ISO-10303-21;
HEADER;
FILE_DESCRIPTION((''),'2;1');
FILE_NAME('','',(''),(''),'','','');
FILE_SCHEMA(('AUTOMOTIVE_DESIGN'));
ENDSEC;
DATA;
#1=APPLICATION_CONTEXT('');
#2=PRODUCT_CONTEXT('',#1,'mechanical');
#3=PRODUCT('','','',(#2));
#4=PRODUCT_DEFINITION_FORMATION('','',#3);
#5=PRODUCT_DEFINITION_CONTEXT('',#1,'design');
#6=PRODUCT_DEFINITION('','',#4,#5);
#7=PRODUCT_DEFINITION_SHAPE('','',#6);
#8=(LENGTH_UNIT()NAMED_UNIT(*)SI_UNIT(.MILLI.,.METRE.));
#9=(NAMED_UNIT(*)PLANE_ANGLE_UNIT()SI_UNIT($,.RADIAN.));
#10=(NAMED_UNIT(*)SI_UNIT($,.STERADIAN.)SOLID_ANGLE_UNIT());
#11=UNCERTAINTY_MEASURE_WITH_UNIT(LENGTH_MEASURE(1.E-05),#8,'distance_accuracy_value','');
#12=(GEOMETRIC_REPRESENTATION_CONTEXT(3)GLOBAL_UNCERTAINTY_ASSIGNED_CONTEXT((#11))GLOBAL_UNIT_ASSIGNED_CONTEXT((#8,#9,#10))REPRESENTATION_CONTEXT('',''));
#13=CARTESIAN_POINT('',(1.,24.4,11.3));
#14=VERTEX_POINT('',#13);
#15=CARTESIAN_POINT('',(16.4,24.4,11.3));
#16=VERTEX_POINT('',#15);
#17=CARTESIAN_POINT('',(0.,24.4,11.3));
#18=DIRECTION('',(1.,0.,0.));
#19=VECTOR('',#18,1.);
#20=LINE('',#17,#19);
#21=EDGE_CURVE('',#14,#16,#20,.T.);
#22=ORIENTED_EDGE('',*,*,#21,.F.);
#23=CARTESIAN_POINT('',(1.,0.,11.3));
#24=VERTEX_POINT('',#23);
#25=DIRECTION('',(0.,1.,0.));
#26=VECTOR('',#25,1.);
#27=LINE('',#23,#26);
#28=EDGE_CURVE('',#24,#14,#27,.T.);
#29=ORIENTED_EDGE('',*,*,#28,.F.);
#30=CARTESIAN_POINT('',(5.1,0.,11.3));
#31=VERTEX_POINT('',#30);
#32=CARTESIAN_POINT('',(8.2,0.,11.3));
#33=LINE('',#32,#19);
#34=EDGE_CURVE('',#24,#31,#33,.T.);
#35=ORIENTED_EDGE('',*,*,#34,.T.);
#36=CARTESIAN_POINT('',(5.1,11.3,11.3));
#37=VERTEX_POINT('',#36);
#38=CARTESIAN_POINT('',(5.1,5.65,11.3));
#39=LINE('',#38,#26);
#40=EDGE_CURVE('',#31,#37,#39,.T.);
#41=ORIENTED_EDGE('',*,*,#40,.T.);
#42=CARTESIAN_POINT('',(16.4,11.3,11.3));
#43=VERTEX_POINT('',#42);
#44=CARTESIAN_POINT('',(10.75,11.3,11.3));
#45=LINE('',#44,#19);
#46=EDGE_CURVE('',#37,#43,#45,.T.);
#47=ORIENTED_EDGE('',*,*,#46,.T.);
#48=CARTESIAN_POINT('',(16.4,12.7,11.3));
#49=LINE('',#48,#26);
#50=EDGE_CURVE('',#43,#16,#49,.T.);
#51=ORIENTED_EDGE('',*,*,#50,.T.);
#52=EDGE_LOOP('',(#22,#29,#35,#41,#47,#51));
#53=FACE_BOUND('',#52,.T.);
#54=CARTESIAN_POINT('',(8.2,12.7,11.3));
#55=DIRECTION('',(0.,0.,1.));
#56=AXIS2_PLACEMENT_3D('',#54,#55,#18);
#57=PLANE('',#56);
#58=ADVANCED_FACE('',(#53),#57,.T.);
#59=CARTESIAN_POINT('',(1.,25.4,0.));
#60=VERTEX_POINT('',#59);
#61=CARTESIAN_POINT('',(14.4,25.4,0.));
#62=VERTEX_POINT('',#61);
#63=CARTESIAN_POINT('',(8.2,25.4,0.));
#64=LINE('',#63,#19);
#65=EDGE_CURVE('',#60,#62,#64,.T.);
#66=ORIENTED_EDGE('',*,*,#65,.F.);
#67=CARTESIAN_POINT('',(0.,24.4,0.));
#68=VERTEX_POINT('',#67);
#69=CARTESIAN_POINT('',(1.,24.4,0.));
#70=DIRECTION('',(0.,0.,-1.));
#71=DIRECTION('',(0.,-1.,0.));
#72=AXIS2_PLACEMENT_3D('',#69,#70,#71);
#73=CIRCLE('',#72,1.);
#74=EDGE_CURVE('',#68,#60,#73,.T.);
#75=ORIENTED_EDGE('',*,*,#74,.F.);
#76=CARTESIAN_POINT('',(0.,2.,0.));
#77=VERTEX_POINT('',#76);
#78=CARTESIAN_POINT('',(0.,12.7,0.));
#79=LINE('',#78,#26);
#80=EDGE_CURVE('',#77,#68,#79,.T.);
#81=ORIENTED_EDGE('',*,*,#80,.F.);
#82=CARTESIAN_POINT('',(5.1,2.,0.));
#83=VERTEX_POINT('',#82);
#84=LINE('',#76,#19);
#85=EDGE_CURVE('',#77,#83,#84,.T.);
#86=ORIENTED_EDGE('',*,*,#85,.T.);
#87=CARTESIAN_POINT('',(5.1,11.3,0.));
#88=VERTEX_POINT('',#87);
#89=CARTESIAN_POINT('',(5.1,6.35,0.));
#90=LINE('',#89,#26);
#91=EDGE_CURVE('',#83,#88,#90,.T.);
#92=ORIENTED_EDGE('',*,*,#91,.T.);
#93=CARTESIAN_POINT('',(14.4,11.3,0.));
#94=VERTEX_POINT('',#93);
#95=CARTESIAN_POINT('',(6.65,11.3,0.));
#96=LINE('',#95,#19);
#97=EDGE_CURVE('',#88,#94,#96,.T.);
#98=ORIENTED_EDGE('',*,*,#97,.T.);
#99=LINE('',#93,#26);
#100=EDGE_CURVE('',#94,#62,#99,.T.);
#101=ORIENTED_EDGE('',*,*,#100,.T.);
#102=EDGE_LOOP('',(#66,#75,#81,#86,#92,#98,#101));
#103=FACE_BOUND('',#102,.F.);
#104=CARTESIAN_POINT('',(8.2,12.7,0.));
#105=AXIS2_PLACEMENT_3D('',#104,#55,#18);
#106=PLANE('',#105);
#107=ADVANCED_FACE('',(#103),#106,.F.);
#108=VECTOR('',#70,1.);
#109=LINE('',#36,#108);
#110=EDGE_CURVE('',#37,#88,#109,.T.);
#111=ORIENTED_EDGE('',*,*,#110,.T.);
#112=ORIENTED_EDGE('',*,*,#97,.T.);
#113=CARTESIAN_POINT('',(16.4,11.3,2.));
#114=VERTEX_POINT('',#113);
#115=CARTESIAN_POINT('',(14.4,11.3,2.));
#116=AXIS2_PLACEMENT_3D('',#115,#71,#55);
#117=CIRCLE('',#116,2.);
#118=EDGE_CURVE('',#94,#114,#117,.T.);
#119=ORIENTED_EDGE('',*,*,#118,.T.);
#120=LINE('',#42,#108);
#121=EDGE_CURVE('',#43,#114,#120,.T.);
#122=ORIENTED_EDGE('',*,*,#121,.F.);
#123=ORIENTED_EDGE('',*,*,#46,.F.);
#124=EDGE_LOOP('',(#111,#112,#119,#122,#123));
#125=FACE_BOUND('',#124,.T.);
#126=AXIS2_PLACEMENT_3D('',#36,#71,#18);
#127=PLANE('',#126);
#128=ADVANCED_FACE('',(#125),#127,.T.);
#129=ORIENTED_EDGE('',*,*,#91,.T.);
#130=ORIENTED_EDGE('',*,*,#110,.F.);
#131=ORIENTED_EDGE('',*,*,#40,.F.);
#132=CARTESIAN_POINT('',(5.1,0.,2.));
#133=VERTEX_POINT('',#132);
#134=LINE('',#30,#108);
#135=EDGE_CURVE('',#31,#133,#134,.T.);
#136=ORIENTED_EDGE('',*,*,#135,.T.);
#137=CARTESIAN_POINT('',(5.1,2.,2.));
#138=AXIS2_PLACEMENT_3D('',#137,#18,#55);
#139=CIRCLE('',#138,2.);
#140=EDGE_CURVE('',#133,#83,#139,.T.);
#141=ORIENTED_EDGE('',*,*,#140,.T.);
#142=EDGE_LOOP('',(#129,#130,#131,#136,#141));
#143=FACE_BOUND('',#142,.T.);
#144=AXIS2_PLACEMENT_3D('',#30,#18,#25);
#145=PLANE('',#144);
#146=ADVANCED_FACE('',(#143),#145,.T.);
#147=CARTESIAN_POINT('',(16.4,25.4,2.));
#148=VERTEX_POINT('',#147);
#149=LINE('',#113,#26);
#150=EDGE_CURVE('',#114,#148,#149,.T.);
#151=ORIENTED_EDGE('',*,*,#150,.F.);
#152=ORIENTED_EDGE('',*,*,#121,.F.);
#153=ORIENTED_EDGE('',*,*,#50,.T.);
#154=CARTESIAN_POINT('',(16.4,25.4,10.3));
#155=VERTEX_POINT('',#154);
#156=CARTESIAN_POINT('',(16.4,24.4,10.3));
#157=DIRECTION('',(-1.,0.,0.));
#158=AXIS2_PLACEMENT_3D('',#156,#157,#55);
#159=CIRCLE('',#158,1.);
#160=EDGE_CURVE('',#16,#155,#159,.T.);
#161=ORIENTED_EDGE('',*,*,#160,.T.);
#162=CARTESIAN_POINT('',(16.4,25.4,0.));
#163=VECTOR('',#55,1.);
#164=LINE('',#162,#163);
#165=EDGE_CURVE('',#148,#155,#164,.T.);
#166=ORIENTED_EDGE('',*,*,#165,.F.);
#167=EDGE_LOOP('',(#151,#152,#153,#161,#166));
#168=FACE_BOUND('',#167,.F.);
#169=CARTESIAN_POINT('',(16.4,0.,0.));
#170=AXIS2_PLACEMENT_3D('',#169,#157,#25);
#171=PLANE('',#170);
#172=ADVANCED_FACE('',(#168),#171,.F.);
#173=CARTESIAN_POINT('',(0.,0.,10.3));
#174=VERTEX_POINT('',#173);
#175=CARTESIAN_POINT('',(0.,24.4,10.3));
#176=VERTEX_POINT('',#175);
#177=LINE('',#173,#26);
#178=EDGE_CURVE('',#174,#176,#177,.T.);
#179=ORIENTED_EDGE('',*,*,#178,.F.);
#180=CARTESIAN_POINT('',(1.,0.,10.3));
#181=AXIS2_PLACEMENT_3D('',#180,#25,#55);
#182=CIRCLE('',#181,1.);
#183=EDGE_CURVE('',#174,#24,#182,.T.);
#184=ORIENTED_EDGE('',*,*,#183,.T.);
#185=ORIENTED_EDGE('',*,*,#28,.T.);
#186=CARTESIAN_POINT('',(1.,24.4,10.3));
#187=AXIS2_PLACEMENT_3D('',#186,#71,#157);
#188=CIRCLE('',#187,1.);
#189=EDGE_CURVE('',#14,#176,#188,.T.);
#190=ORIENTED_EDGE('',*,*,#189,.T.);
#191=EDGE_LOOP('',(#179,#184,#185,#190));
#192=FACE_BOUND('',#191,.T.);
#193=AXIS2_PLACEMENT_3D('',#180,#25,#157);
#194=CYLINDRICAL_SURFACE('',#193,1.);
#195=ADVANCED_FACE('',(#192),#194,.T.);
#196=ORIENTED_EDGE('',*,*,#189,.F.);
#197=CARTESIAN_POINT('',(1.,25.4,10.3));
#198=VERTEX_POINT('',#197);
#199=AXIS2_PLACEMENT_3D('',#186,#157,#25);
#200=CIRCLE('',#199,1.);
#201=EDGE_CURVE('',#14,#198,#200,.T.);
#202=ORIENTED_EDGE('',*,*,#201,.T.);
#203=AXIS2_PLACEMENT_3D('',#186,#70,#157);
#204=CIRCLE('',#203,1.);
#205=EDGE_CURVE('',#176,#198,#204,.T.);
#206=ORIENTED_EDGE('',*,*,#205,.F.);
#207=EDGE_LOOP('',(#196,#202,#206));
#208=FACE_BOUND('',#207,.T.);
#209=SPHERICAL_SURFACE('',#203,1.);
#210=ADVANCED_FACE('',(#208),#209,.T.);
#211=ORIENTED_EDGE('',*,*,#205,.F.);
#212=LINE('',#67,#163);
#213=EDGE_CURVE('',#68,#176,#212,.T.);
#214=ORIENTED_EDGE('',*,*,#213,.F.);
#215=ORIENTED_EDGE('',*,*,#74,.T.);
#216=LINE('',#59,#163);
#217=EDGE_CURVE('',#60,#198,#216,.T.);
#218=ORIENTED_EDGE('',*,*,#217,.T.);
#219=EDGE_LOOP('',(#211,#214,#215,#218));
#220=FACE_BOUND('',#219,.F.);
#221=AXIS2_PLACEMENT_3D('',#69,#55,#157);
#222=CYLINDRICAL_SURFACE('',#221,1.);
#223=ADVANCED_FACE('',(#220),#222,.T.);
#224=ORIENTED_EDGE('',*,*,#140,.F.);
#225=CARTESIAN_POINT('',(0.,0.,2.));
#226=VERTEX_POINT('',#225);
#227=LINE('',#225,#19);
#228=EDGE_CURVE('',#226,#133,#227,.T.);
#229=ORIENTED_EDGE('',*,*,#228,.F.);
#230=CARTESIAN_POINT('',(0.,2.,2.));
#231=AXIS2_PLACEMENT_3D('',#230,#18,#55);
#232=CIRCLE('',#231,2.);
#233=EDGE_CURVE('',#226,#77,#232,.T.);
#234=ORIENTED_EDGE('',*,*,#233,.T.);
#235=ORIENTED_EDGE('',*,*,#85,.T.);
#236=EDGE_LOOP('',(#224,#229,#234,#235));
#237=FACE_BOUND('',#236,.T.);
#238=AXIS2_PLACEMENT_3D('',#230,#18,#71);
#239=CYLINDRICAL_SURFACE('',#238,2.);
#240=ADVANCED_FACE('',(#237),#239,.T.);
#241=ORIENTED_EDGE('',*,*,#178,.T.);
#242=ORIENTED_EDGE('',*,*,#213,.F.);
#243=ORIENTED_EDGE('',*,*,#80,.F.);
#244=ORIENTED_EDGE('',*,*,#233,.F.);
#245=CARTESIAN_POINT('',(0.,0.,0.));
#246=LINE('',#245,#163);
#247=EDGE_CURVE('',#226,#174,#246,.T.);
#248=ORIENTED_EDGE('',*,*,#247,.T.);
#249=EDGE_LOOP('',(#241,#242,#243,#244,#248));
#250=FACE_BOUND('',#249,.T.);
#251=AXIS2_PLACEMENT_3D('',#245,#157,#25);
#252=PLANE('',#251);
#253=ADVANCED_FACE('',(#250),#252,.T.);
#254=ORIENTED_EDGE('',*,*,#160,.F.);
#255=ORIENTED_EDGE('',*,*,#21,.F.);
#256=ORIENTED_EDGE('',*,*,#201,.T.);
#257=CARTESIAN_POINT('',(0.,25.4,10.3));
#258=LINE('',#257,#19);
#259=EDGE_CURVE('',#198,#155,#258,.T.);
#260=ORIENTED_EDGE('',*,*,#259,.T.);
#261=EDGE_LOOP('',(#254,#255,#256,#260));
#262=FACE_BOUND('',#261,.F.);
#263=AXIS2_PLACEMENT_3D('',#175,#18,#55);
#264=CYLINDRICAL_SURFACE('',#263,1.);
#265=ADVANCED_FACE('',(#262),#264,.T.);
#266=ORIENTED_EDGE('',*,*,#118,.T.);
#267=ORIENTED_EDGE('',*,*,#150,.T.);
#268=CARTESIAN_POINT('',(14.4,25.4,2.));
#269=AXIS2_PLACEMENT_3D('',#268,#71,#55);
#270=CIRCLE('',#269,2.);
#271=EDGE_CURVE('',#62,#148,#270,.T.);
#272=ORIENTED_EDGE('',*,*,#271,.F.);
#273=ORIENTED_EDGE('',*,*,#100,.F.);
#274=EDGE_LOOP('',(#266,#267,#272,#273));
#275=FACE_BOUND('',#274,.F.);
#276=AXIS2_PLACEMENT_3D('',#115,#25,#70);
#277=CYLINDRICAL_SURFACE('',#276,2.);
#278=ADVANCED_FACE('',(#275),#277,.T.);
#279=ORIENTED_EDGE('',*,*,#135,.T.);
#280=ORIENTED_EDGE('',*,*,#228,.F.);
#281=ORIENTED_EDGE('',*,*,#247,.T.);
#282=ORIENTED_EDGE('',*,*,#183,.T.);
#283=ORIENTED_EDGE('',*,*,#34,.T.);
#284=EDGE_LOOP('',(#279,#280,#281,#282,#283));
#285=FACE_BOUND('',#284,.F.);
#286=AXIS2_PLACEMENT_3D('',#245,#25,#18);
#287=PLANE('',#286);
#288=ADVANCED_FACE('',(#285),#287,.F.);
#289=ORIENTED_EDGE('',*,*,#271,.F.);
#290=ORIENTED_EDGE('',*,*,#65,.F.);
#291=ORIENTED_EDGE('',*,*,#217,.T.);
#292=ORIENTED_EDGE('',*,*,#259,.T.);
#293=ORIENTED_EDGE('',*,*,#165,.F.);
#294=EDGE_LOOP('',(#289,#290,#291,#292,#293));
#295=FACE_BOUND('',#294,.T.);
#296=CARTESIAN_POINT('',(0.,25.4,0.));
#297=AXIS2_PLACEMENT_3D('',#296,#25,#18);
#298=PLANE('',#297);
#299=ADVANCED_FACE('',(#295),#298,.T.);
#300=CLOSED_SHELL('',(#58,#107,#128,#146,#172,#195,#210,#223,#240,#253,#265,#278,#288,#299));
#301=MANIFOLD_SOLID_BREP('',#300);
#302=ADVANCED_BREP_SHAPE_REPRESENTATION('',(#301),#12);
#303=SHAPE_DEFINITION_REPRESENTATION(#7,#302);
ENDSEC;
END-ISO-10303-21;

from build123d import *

# Parameters (mm, degrees)
F0_W     = 16.4
F0_H     = 25.4
F1_DEPTH = 11.3
F2_W     = 11.3
F2_H     = 11.3
F3_DEPTH = 25
F4_R     = 2
F5_R     = 1


with BuildPart() as f1:
    # F0 (on Top) → F1 (new body)
    with BuildSketch(Plane.XY):
        with Locations((8.2, 12.7)):
            Rectangle(F0_W, F0_H)
    extrude(amount=F1_DEPTH)

    # F2 (on face) → F3 (cut)
    with BuildSketch(Plane.XY.offset(11.3)):
        with Locations((10.75, 5.65)):
            Rectangle(F2_W, F2_H)
    extrude(amount=-F3_DEPTH, mode=Mode.SUBTRACT)

    # F4
    f4_edges = [f1.edges().sort_by_distance(p)[0] for p in [
        (16.4, 18.35, 0),
        (2.55, 0, 0),
    ]]
    fillet(f4_edges, radius=F4_R)

    # F5
    f5_edges = [f1.edges().sort_by_distance(p)[0] for p in [
        (0, 25.4, 5.65),
        (0, 12.7, 11.3),
        (8.2, 25.4, 11.3),
    ]]
    fillet(f5_edges, radius=F5_R)


solid = f1.part
